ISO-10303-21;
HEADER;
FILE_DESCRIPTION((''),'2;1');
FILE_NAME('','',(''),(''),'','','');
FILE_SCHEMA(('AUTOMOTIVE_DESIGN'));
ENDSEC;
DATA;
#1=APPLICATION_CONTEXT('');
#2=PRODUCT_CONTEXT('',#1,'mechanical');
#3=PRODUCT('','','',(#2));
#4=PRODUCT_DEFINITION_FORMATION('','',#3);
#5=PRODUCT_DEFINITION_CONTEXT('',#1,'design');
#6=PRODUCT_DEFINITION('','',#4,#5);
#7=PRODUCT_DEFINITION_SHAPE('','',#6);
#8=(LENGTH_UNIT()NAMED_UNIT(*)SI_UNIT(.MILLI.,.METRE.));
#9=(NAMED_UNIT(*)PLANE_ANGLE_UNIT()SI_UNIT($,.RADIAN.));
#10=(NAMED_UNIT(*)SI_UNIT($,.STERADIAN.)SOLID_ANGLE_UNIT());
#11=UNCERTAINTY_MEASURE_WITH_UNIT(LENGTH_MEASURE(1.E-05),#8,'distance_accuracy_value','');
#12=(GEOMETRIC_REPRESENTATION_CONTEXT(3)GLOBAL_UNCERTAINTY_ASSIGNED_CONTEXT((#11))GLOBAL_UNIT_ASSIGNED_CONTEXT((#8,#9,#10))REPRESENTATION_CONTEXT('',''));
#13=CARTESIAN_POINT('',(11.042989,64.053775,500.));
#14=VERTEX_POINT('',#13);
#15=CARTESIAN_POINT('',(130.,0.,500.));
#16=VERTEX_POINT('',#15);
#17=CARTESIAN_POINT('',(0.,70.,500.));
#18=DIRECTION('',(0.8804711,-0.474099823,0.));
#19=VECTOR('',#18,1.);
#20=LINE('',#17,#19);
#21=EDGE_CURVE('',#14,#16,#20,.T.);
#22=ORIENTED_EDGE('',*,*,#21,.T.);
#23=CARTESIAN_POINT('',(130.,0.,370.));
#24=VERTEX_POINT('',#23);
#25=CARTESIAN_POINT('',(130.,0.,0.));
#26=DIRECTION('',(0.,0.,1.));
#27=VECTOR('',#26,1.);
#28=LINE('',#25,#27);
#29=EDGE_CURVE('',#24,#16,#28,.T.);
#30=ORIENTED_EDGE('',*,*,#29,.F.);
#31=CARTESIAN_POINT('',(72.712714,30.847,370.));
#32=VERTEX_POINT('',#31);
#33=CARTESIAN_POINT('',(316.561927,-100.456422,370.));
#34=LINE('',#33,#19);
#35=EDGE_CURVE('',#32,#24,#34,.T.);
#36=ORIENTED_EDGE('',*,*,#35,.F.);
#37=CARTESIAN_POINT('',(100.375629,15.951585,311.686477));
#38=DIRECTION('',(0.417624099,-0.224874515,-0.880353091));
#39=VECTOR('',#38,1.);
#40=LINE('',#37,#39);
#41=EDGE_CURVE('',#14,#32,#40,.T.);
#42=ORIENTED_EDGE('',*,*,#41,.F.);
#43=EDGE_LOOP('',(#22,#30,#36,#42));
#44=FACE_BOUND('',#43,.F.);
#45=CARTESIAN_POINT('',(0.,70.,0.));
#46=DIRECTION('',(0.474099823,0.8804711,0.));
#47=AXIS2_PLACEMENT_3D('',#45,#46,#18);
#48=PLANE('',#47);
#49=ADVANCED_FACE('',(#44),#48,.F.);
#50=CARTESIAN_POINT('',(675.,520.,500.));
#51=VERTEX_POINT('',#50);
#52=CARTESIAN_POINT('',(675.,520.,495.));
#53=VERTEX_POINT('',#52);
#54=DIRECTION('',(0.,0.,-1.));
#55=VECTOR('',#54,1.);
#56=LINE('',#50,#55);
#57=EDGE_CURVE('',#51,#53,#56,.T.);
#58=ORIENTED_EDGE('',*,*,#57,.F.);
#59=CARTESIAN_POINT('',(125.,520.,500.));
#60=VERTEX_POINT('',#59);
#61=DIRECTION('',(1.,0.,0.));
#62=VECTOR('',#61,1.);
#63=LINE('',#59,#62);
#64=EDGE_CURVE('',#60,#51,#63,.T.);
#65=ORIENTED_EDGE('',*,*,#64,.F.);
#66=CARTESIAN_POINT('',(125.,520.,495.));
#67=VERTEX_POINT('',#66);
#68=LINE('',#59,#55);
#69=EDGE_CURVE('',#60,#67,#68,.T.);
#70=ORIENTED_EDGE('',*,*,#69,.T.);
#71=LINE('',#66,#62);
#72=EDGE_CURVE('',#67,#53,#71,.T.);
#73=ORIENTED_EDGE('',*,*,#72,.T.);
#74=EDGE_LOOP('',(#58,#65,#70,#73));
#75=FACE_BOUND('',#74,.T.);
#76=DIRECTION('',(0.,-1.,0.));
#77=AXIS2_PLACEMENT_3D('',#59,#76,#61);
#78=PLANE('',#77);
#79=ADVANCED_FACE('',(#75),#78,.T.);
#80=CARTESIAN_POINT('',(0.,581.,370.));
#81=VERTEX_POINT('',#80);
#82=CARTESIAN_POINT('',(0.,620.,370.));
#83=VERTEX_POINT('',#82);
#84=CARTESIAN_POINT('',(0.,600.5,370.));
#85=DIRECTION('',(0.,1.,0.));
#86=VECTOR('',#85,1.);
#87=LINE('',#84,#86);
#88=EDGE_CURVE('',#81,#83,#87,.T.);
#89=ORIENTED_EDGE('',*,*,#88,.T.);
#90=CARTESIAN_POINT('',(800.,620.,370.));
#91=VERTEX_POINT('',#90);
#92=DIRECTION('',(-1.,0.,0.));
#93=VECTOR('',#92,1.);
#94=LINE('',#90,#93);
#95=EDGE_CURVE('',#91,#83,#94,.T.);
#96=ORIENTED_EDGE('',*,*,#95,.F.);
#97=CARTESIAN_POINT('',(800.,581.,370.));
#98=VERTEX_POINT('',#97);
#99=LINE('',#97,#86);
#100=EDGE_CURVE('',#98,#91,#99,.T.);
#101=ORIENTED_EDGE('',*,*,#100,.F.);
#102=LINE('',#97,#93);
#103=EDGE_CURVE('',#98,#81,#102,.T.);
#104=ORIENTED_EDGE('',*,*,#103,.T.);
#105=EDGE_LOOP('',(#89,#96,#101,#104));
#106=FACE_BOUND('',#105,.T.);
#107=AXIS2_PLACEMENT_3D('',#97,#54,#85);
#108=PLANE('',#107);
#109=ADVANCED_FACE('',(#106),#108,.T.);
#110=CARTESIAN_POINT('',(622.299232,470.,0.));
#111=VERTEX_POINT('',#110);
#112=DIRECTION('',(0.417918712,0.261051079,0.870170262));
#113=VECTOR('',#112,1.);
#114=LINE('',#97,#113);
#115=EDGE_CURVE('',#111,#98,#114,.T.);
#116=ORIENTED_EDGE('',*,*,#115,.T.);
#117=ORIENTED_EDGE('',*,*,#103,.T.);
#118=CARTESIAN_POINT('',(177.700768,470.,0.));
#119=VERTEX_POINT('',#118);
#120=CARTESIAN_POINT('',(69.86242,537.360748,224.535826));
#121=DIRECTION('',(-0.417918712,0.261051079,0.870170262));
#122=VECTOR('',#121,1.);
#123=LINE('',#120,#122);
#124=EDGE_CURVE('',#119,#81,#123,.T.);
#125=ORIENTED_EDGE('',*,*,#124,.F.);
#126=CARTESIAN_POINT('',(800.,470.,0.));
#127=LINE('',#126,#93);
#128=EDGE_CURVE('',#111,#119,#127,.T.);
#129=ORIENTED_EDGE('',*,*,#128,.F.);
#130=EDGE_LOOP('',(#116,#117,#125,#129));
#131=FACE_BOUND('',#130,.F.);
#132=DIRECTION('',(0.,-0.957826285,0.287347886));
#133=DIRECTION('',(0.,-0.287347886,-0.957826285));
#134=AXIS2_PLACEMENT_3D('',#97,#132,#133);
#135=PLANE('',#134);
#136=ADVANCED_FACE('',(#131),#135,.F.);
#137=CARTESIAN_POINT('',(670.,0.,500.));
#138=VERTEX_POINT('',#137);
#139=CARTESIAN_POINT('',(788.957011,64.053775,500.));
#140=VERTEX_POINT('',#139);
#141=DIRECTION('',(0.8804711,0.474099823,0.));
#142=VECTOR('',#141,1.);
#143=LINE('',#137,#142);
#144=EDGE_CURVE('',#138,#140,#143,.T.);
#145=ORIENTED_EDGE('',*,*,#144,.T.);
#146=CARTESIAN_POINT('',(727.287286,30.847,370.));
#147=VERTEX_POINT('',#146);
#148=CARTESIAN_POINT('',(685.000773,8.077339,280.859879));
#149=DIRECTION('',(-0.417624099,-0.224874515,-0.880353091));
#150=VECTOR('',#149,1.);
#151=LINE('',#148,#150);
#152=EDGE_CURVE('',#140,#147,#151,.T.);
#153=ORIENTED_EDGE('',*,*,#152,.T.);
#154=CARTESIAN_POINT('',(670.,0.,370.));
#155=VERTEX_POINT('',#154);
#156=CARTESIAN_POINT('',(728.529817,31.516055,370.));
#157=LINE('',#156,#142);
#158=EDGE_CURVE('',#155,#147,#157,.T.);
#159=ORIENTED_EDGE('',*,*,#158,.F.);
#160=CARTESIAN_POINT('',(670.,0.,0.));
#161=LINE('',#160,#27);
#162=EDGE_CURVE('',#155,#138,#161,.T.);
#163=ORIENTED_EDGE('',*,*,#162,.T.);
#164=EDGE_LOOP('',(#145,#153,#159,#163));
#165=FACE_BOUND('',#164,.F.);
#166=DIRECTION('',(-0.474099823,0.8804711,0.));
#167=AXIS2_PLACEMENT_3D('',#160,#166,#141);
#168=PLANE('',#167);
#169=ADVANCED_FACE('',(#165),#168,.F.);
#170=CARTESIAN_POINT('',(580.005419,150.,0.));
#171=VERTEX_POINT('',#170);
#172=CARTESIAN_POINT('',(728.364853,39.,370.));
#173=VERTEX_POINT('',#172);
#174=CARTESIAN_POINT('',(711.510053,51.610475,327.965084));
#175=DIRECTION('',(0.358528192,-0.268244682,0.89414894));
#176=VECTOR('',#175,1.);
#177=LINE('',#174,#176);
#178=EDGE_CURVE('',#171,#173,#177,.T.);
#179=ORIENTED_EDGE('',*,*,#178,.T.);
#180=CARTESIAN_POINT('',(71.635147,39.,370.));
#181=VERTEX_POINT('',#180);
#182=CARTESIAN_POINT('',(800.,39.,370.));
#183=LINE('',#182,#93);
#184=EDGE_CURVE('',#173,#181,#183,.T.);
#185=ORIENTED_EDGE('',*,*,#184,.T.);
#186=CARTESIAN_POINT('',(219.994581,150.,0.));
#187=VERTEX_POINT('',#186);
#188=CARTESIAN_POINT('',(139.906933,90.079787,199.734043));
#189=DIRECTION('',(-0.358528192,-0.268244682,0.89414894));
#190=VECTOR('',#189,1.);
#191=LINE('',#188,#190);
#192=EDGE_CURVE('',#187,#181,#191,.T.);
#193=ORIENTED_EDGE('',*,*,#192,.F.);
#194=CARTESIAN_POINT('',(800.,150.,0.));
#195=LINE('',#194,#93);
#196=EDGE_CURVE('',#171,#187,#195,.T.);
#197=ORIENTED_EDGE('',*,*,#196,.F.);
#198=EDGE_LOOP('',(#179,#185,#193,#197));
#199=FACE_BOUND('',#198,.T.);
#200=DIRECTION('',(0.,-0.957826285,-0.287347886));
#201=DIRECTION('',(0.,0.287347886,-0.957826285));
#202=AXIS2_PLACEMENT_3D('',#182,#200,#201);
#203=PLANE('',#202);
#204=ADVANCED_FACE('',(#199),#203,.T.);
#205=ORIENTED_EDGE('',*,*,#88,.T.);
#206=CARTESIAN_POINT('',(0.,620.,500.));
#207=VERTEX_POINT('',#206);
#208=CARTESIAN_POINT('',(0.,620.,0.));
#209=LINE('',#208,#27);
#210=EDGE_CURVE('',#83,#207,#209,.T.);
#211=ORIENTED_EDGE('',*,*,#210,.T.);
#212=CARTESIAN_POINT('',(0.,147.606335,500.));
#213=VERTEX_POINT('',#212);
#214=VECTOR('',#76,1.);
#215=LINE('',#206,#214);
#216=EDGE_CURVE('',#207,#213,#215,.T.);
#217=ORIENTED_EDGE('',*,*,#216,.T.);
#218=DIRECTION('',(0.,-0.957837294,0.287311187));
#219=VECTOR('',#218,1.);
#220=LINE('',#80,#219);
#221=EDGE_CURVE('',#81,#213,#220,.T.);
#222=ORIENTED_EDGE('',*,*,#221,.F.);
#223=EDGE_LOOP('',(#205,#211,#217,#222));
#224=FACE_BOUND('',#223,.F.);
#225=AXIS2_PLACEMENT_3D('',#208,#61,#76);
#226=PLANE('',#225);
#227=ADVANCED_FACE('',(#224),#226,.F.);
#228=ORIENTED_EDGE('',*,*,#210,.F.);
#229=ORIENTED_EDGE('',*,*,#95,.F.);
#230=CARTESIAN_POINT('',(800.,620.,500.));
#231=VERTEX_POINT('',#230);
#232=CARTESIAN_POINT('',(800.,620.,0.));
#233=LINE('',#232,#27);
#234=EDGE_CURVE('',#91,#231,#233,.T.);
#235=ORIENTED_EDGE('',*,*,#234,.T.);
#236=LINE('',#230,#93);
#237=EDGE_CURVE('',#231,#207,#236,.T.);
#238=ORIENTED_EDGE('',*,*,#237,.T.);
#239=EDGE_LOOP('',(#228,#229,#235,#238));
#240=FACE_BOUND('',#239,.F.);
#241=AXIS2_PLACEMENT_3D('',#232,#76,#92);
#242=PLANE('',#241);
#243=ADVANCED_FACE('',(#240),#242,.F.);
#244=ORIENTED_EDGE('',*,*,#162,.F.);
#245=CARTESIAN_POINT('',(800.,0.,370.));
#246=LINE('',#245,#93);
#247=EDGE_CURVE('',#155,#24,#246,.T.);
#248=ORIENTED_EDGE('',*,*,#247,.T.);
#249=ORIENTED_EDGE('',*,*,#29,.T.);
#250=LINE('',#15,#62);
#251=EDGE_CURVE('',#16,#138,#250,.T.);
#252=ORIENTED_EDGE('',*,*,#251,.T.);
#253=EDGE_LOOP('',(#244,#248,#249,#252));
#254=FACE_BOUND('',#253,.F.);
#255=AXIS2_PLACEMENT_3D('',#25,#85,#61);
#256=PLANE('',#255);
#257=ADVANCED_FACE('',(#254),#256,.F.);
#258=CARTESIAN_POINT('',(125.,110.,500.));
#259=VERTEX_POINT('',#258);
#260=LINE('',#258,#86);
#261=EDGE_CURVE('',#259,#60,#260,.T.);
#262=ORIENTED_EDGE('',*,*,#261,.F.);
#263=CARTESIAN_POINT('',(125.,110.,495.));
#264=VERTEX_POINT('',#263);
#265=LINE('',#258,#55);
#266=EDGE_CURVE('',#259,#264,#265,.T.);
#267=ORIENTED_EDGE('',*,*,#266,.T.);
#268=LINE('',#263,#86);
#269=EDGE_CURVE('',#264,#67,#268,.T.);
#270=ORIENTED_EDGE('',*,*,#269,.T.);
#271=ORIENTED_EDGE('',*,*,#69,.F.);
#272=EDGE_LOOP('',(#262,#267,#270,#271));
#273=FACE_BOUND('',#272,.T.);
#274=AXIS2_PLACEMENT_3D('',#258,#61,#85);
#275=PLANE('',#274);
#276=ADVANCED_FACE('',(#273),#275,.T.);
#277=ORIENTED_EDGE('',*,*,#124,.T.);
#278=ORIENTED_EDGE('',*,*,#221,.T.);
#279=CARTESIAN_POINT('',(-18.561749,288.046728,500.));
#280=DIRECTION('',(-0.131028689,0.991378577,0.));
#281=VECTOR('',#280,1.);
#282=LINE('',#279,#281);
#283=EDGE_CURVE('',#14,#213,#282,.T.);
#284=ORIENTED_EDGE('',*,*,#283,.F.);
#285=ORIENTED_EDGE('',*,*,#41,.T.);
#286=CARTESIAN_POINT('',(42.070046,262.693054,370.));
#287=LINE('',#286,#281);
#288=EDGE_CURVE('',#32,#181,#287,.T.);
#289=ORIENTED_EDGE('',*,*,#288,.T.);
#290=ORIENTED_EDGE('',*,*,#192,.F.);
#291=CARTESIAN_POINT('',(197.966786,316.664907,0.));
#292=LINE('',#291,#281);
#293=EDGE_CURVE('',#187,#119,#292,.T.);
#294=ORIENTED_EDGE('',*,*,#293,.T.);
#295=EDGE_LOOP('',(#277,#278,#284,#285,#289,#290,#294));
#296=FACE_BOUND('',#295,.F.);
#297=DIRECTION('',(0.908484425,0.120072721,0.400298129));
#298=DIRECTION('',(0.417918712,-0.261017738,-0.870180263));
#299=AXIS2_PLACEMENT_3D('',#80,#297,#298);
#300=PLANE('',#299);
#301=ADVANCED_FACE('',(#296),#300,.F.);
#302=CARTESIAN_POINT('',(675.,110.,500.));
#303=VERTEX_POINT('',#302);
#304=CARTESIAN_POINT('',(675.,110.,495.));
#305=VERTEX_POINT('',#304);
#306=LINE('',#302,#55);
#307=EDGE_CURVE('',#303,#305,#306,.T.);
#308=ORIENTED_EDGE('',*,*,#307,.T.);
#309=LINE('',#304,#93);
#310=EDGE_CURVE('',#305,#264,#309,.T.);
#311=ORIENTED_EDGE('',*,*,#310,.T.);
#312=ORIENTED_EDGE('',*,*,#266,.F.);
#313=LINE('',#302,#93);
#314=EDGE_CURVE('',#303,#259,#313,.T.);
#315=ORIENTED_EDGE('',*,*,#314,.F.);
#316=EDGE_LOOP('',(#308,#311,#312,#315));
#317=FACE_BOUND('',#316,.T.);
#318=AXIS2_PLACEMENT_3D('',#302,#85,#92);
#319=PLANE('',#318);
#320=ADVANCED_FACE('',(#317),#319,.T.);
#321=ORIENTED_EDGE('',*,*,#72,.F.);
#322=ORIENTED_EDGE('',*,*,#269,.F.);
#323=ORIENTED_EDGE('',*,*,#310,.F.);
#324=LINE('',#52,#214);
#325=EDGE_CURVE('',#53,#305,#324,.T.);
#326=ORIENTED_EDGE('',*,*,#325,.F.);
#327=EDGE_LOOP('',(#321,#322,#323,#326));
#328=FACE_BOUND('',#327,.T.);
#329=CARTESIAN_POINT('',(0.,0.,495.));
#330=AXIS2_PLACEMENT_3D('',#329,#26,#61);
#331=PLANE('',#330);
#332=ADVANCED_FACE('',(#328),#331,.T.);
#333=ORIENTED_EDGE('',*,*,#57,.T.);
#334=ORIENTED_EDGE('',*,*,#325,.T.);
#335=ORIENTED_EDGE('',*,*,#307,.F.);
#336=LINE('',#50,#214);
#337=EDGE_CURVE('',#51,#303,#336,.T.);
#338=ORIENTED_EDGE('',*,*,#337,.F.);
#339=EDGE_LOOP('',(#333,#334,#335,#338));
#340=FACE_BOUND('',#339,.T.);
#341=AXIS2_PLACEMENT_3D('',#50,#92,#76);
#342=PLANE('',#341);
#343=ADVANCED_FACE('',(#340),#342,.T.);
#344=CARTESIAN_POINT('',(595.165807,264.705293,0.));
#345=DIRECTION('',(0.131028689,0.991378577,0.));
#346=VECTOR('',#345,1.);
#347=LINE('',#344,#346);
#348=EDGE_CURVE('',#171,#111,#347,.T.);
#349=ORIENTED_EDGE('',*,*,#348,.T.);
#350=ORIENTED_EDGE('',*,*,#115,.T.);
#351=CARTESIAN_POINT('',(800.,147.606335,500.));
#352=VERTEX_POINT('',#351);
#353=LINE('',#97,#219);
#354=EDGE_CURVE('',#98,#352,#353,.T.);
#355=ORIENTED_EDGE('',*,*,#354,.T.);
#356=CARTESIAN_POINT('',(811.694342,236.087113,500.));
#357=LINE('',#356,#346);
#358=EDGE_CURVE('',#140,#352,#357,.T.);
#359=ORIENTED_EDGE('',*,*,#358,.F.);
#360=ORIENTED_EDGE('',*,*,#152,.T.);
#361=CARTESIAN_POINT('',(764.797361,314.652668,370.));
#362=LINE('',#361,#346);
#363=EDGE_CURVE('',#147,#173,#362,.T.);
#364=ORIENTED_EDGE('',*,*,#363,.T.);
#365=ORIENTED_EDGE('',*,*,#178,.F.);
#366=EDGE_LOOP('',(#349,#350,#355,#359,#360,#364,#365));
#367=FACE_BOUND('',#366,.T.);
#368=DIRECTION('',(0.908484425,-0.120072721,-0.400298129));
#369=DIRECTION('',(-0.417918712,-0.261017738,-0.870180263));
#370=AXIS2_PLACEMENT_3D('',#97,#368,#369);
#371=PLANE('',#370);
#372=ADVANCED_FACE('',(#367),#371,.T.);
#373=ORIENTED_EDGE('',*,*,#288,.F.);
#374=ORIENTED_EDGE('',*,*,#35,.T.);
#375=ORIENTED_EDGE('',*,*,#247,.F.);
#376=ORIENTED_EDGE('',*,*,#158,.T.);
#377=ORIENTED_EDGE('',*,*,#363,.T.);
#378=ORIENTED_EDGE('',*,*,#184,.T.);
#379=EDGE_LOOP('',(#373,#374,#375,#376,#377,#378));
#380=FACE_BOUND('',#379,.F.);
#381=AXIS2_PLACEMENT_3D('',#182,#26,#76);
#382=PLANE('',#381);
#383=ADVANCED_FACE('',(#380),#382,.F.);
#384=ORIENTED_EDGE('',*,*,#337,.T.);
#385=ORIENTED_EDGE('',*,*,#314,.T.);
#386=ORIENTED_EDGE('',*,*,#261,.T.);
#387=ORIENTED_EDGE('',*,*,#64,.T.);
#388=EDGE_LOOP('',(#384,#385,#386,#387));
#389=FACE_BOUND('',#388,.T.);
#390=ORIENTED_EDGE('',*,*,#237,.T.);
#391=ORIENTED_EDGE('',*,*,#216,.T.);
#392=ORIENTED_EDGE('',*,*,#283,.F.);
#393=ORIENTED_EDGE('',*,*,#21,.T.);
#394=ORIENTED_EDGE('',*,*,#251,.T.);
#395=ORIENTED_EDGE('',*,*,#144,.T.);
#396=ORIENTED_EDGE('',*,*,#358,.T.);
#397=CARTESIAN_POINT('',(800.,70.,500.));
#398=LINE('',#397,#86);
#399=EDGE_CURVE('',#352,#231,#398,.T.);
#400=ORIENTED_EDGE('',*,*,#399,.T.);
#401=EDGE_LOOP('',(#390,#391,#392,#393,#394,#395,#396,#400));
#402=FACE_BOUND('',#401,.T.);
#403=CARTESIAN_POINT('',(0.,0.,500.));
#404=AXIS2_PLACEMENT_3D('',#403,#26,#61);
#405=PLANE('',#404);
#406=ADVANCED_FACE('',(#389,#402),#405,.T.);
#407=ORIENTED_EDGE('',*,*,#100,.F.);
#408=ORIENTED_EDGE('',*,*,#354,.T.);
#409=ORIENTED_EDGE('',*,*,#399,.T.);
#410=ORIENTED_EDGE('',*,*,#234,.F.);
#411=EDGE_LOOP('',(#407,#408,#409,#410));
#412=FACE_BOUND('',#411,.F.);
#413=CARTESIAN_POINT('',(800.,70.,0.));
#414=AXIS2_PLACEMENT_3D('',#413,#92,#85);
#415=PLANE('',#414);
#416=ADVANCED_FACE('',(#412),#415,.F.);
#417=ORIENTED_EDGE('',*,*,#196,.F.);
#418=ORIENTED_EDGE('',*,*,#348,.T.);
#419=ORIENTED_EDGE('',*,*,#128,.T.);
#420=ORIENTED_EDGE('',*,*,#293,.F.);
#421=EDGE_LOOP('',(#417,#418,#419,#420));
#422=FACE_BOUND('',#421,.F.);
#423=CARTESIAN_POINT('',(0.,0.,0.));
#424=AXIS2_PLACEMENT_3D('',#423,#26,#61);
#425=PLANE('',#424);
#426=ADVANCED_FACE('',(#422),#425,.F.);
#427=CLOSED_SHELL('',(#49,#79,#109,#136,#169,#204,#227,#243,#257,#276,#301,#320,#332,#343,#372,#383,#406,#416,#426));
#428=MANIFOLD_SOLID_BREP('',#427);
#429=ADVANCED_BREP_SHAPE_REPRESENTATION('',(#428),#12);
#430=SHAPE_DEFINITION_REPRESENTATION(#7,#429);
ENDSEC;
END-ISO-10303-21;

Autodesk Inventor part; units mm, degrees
ref_plane "YZ Plane" through (0, 0, 0) normal (1, 0, 0) x (0, 1, 0)
ref_plane "XZ Plane" through (0, 0, 0) normal (0, 1, 0) x (-1, 0, 0)
ref_plane "XY Plane" through (0, 0, 0) normal (0, 0, 1) x (1, 0, 0)
sketch "Sketch1" plane through (0, 0, 0) normal (0, 0, 1) x (1, 0, 0)
  line L0 (130, 0) -> (670, 0)
  line L1 (800, 70) -> (800, 620)
  line L2 (800, 620) -> (0, 620)
  line L3 (0, 620) -> (0, 70)
  line L4 (0, 70) -> (130, 0)
  line L5 (670, 0) -> (800, 70)
  line L6 (400, 620) -> (400, 0) construction
  point P0 (0, 0)
  dimension "d0" = 800
  dimension "d1" = 620
  dimension "d2" = 550
  dimension "d3" = 550
  dimension "d4" = 270
  dimension "d5" = 270
  dimension "d6" = 70
  dimension "d7" = 70
  dimension "d8" = 130
  dimension "d9" = 130
extrude "Extrusion1" add sketch "Sketch1" along normal blind 500
sketch "Sketch2" plane through (800, 70, 0) normal (1, 0, 0) x (0, 0, -1)
  line L0 (-370, -31) -> (0, 80)
  line L1 (0, 80) -> (0, -70)
  line L2 (0, -70) -> (-370, -70)
  line L3 (0, 550) -> (-500, 550) projected
  line L4 (-370, 511) -> (0, 400)
  line L5 (0, 400) -> (0, 550)
  line L6 (0, 550) -> (-370, 550)
  line L7 (-370, -31) -> (-370, -70)
  line L8 (0, -70) -> (-500, -70) projected
  line L9 (-370, 511) -> (-370, 550)
  line L10 (-500, -70) -> (-500, 0) projected
  line L11 (-500, 0) -> (-500, 550) projected
  dimension "d12" = 320
  dimension "d15" = 150
  dimension "d16" = 150
  dimension "d17" = 130
  dimension "d18" = 130
extrude "Extrusion2" cut sketch "Sketch2" against normal through all
sketch "Sketch3" plane through (0, 0, 500) normal (0, 0, 1) x (1, 0, 0)
  line L0 (125, 520) -> (675, 520)
  line L1 (675, 520) -> (675, 110)
  line L2 (675, 110) -> (125, 110)
  line L3 (125, 110) -> (125, 520)
  line L4 (800, 620) -> (0, 620) projected
  line L5 (0, 150) -> (0, 470) projected
  line L6 (800, 70) -> (800, 620) projected
  point P0 (0, 0)
  dimension "d21" = 100
  dimension "d22" = 125
  dimension "d23" = 125
  dimension "d24" = 40
  dimension "d33" = 550
  dimension "d34" = 410
extrude "Extrusion3" cut sketch "Sketch3" against normal blind 5
sketch "Sketch4" plane through (0, 581, 370) normal (0, 0.9578, -0.2873) x (1, 0, 0)
  line L0 (800, 0) -> (0, 0) projected
  line L1 (800, 0) -> (580, 478.2427)
  line L2 (800, 478.2427) -> (0, 478.2427) projected
  line L3 (0, 0) -> (220, 478.2427)
  line L4 (220, 478.2427) -> (0, 478.2427)
  line L5 (800, -11.2066) -> (0, -11.2066) projected
  line L6 (0, 0) -> (0, 386.2913) projected
  line L7 (0, 478.2427) -> (0, 0)
  line L8 (800, 0) -> (800, 478.2427)
  line L9 (800, 245.8102) -> (800, 22.3174) projected
  line L10 (800, 478.2427) -> (580, 478.2427)
  point P0 (0, 521.3448)
  dimension "d27" = 360
  dimension "d28" = 220
  dimension "d30" = 220
extrude "Extrusion4" cut sketch "Sketch4" against normal through all contours L1 L2 L8 | L6 L7 L2 L3
properties part number "TV" material "ABS Plastic"
